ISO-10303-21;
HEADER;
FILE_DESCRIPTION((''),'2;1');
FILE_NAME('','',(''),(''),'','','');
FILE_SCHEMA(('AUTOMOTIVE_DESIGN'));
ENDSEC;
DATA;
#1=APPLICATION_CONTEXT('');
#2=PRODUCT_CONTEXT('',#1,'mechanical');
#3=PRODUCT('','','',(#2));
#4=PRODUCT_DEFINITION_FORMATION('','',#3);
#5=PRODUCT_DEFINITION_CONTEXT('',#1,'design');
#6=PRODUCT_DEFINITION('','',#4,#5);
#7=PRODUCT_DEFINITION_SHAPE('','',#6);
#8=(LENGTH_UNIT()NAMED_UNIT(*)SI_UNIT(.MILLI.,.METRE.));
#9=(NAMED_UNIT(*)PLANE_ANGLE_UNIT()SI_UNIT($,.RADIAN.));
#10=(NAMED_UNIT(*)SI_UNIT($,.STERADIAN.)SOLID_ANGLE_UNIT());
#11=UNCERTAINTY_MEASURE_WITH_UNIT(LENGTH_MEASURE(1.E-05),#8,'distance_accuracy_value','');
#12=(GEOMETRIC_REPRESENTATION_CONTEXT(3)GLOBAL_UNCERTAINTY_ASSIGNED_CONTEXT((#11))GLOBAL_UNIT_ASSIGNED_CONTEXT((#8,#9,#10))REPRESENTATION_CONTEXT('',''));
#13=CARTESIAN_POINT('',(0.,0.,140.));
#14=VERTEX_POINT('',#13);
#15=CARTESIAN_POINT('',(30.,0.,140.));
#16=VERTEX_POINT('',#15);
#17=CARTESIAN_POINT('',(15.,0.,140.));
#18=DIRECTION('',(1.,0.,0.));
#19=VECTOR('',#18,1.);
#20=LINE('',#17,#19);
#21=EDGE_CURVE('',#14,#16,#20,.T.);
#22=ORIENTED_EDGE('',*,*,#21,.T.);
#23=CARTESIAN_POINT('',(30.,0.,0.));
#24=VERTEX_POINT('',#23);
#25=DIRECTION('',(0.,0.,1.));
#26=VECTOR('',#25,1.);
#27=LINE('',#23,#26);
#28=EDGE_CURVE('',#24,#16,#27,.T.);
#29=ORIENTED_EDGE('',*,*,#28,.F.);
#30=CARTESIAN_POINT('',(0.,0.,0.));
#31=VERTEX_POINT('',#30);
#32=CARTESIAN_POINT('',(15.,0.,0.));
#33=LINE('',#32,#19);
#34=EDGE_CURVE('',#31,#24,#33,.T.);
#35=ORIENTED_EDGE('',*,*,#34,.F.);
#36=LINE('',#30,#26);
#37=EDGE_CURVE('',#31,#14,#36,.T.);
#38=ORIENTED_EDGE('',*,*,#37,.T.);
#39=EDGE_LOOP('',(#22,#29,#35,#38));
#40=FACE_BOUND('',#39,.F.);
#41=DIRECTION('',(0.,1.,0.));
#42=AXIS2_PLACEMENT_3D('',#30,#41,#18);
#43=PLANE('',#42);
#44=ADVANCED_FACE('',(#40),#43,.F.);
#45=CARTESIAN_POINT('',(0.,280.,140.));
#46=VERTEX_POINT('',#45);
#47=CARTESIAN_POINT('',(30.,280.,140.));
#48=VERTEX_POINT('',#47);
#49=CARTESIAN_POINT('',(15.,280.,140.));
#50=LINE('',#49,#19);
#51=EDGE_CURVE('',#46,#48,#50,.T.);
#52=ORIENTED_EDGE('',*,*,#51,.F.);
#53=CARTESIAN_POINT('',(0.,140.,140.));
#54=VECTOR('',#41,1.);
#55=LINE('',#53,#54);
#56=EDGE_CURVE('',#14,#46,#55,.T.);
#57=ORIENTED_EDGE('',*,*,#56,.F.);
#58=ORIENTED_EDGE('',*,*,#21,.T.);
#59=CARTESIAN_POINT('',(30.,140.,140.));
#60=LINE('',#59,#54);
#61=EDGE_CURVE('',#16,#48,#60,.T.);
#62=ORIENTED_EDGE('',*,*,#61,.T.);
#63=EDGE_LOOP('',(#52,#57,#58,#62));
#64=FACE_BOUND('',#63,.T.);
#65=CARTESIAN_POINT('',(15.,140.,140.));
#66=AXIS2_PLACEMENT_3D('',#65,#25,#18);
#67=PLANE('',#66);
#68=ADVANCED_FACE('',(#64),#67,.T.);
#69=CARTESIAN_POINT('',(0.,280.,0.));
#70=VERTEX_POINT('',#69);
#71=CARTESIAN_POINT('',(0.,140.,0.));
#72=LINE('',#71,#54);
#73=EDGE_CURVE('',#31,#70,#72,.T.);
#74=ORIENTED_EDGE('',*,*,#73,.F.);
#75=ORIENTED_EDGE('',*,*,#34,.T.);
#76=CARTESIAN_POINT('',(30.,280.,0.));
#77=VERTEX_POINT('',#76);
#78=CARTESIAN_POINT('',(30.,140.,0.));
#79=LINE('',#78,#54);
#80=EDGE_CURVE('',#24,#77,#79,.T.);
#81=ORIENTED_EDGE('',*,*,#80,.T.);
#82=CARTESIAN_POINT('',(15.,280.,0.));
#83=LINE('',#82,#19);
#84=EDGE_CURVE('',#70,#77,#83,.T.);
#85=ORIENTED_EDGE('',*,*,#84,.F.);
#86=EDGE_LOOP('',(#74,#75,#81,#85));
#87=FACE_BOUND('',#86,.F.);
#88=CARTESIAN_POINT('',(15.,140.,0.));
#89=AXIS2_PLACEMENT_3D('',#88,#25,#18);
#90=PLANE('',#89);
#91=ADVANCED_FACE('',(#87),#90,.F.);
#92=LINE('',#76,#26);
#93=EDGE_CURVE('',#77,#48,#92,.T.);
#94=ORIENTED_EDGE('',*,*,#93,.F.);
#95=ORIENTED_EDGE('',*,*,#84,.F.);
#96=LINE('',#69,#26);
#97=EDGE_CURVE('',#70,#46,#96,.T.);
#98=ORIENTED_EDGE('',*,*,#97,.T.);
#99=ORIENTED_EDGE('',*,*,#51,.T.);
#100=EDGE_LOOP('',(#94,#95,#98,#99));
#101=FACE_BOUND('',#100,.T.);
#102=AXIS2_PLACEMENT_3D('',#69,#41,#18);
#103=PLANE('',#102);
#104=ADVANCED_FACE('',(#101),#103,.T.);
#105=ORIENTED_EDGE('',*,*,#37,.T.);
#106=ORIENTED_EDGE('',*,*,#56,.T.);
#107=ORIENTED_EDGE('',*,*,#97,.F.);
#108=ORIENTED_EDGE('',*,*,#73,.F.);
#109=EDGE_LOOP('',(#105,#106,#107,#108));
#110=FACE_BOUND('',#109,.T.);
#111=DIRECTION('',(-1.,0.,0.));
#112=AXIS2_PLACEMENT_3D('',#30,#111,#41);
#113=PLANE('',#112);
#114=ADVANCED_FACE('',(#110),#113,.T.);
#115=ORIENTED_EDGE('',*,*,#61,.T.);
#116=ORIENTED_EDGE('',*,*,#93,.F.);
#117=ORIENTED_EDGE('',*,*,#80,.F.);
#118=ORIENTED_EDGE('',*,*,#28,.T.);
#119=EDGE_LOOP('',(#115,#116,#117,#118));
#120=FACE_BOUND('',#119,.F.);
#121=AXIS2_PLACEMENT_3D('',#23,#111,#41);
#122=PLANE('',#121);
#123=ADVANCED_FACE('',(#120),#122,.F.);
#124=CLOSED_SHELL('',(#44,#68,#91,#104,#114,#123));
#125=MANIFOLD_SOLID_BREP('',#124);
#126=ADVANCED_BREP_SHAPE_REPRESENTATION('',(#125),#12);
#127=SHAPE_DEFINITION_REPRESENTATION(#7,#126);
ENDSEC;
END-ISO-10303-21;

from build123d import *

# Parameters (mm, degrees)
BOX_W     = 30
BOX_H     = 280
BOX_DEPTH = 140


with BuildPart() as part:
    # Box → Box (new body)
    with BuildSketch(Plane.XY):
        with Locations((15, 140)):
            Rectangle(BOX_W, BOX_H)
    extrude(amount=BOX_DEPTH)


solid = part.part
